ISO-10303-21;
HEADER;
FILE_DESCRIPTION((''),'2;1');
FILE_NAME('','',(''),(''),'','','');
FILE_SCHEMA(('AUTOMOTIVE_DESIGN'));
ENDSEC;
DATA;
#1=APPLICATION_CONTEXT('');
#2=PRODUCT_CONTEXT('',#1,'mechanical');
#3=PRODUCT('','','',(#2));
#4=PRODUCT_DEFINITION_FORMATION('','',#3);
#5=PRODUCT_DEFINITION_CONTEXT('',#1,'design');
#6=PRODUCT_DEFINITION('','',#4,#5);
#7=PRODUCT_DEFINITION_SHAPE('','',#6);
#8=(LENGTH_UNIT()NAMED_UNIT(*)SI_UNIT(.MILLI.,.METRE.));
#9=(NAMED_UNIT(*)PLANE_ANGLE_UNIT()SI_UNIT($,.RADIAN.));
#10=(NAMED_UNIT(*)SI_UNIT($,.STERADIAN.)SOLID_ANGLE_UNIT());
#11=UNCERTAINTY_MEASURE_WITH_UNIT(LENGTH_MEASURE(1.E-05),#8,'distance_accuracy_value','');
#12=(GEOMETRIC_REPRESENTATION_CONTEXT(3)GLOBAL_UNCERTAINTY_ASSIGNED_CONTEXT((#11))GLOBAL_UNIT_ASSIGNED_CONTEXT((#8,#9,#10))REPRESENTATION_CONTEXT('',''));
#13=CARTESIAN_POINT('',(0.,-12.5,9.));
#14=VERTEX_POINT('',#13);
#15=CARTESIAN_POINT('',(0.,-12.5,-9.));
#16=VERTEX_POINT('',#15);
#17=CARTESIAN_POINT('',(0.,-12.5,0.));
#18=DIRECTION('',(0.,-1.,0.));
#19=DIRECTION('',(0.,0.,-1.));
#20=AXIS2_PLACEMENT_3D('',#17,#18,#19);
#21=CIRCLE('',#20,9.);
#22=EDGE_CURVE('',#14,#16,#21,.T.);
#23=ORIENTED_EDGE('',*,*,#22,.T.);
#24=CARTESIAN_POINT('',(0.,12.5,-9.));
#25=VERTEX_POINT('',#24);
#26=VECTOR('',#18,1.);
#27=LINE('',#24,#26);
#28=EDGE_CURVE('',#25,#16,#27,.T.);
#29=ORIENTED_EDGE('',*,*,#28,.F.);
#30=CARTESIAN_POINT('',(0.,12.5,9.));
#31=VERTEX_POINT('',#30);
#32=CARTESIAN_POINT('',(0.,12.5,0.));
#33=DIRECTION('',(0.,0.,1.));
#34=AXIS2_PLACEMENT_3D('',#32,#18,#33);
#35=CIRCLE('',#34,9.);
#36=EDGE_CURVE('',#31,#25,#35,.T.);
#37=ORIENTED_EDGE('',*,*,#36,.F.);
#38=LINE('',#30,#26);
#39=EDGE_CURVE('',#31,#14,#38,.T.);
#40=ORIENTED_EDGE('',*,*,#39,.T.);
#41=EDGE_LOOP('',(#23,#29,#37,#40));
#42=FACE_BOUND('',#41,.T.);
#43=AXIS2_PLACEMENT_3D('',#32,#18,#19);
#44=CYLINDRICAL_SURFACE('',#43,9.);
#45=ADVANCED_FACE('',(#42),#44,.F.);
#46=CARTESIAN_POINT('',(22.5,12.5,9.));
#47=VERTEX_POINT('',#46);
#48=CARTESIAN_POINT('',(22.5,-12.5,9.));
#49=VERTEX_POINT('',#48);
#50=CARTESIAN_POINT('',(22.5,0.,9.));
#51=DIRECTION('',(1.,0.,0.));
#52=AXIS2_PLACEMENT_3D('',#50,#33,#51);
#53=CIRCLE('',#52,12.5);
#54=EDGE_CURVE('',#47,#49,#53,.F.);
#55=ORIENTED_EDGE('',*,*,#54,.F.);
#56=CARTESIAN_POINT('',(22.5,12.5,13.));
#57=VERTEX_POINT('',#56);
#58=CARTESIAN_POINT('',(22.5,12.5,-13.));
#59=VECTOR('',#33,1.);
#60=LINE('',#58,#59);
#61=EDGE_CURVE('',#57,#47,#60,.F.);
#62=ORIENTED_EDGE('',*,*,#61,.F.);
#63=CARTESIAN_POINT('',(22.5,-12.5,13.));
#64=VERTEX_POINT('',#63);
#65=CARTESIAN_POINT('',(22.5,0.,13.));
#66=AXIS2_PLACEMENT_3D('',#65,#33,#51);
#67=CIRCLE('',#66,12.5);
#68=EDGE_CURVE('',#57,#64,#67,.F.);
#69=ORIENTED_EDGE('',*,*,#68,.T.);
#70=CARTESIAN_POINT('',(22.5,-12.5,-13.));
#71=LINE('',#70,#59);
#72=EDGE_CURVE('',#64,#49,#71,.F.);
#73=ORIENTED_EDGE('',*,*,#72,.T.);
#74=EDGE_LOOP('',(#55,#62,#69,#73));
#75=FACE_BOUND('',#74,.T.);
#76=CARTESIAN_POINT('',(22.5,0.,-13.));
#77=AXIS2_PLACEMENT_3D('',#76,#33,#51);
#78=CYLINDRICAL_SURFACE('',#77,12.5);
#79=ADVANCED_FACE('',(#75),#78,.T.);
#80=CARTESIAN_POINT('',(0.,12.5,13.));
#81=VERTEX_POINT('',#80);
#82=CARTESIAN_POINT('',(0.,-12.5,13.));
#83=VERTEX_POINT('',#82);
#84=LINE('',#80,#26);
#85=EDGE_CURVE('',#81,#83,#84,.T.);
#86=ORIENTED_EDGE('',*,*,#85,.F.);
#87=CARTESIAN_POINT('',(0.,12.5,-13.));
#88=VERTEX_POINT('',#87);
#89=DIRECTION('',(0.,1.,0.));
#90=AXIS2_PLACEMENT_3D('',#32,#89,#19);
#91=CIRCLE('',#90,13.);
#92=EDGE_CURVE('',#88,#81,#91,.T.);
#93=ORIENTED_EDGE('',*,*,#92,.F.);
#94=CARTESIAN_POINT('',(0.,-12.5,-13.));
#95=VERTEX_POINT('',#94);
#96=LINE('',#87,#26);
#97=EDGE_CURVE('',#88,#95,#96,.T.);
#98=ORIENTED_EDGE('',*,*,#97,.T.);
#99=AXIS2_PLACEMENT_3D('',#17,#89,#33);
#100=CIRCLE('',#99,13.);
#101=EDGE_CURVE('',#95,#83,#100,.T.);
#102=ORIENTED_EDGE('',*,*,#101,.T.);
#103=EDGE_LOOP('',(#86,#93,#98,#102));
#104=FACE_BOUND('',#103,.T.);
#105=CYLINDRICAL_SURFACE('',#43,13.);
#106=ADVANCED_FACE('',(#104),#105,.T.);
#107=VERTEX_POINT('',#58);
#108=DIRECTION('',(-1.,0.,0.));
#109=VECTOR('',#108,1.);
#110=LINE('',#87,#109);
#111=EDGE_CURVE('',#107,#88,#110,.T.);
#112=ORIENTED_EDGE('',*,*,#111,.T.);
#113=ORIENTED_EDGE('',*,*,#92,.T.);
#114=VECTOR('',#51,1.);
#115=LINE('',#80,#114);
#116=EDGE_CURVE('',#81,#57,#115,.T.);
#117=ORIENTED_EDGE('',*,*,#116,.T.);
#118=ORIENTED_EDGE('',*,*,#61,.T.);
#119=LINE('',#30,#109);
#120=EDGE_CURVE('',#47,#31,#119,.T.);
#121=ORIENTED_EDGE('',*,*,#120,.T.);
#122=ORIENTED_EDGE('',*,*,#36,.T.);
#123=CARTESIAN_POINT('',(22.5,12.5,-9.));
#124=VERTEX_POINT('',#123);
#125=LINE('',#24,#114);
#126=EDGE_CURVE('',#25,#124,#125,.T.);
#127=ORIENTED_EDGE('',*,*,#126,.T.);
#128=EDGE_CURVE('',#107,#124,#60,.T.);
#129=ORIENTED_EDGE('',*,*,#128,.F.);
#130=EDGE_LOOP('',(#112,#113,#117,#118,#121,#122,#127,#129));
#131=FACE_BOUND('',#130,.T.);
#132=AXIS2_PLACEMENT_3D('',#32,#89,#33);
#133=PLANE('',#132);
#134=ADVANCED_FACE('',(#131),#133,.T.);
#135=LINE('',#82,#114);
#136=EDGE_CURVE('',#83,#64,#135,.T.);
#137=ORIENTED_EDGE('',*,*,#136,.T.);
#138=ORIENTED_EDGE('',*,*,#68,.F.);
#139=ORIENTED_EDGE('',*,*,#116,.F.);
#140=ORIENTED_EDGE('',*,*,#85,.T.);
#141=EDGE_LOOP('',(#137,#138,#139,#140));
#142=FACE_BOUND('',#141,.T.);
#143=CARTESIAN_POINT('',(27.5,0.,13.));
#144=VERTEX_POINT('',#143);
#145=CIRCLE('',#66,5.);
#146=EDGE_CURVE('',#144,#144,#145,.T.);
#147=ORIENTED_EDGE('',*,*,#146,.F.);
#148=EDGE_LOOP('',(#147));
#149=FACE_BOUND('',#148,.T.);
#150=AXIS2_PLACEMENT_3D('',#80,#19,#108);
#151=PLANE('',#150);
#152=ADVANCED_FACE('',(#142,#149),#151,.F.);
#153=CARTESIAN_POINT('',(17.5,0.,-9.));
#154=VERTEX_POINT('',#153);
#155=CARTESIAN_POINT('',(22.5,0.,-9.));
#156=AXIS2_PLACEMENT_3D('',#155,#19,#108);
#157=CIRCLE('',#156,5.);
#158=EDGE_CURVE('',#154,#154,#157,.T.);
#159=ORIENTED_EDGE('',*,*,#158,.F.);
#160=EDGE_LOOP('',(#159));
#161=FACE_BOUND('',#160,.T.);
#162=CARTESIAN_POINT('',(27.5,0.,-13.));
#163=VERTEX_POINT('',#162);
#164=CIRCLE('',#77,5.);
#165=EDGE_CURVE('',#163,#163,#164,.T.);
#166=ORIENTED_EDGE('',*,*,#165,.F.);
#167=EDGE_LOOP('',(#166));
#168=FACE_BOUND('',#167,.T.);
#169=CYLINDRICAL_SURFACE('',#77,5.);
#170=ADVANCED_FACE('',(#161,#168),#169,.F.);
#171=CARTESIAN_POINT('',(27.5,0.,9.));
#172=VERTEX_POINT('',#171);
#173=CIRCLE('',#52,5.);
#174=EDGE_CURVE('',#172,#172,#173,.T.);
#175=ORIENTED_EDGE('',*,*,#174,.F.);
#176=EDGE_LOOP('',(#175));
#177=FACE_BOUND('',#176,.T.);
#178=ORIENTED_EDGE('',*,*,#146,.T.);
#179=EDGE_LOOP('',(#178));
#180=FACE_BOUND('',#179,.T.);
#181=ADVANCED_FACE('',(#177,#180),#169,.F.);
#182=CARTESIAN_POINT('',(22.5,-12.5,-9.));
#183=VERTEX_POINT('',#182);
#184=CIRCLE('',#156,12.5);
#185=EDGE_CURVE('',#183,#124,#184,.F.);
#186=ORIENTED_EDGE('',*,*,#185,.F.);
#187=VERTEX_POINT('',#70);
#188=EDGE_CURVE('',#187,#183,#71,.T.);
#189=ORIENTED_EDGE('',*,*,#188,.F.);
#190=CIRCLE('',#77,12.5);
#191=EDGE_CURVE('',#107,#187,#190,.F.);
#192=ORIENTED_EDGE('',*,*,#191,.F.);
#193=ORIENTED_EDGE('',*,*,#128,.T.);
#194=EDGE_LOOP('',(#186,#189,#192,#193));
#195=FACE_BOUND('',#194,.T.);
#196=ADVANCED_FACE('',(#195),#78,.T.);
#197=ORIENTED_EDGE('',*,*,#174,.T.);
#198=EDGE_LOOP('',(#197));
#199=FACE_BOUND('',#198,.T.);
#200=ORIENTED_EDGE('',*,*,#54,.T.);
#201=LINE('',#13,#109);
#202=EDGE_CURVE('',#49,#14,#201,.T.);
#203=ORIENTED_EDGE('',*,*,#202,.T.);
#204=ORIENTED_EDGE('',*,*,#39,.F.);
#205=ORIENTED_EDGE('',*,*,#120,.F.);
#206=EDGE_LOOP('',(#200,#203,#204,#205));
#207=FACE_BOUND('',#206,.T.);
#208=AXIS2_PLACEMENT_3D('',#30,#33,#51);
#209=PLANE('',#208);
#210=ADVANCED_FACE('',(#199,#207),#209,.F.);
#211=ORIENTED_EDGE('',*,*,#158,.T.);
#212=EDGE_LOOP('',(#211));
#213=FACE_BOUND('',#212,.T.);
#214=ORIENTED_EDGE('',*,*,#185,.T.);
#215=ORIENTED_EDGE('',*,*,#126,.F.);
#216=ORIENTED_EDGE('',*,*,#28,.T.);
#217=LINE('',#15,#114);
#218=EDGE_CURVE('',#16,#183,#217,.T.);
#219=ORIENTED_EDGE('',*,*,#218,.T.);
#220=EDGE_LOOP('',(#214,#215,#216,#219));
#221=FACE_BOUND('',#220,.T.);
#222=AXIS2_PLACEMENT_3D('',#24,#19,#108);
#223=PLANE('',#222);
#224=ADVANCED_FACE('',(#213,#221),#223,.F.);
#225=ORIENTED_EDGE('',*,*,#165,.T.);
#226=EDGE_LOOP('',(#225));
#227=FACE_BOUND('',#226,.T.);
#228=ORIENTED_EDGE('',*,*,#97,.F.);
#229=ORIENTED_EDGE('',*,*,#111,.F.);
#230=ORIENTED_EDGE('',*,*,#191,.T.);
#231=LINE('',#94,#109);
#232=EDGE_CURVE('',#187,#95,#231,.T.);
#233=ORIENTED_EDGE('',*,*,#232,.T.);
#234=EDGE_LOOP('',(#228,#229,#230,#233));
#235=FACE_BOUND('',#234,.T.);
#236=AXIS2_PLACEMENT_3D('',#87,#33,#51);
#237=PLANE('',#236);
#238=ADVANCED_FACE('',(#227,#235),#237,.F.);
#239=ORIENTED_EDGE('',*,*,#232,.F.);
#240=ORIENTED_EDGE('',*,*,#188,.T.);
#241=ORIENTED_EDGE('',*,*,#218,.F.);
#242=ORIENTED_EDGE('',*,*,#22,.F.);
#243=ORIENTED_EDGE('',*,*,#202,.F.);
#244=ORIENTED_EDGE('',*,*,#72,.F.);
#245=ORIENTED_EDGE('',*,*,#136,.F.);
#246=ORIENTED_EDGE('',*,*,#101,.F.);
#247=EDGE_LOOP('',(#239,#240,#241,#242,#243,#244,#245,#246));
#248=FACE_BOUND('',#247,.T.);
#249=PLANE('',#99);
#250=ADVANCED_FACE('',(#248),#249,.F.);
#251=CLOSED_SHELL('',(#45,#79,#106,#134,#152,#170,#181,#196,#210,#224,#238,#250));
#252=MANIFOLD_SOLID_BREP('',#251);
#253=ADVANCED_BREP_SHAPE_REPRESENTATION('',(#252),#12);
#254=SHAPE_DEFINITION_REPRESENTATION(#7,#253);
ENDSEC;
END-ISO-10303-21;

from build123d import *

# Parameters (mm, degrees)
BOSS_EXTRUDE1_DEPTH = 12.5
CUT_EXTRUDE1_DEPTH  = 46.356917885


with BuildPart() as part:
    # Sketch1 → Boss-Extrude1 (new, symmetric)
    with BuildSketch(Plane(origin=(0, 0, 0), x_dir=(1, 0, 0), z_dir=(0, 1, 0))):
        with BuildLine():
            Line((0, 13), (35, 13))
            Line((35, 13), (35, 9))
            Line((35, 9), (0, 9))
            ThreePointArc((0, 9), (-6.363961031, 6.363961031), (-9, 0))
            ThreePointArc((-9, 0), (-6.363961031, -6.363961031), (0, -9))
            Line((0, -9), (35, -9))
            Line((35, -9), (35, -13))
            Line((35, -13), (0, -13))
            ThreePointArc((0, -13), (-9.192388155, -9.192388155), (-13, 0))
            ThreePointArc((-13, 0), (-9.192388155, 9.192388155), (0, 13))
        make_face()
    extrude(amount=BOSS_EXTRUDE1_DEPTH, both=True)

    # Sketch2 → Cut-Extrude1 (cut, through all)
    with BuildSketch(Plane.XY.offset(13)):
        with BuildLine():
            ThreePointArc((27.5, 0), (22.5, 5), (17.5, 0))
            Line((17.5, 0), (27.5, 0))
        make_face()
        with BuildLine():
            Line((27.5, 0), (17.5, 0))
            ThreePointArc((17.5, 0), (22.5, -5), (27.5, 0))
        make_face()
        with BuildLine():
            ThreePointArc((22.5, 12.5), (31.338834755, 8.838834775), (35, 2.9e-08))
            Line((35, 2.9e-08), (35, 12.5))
            Line((35, 12.5), (22.5, 12.5))
        make_face()
        with BuildLine():
            Line((35, -12.5), (35, 2.9e-08))
            ThreePointArc((35, 2.9e-08), (31.338834775, -8.838834755), (22.5, -12.5))
            Line((22.5, -12.5), (35, -12.5))
        make_face()
    extrude(amount=-CUT_EXTRUDE1_DEPTH, mode=Mode.SUBTRACT)


solid = part.part
